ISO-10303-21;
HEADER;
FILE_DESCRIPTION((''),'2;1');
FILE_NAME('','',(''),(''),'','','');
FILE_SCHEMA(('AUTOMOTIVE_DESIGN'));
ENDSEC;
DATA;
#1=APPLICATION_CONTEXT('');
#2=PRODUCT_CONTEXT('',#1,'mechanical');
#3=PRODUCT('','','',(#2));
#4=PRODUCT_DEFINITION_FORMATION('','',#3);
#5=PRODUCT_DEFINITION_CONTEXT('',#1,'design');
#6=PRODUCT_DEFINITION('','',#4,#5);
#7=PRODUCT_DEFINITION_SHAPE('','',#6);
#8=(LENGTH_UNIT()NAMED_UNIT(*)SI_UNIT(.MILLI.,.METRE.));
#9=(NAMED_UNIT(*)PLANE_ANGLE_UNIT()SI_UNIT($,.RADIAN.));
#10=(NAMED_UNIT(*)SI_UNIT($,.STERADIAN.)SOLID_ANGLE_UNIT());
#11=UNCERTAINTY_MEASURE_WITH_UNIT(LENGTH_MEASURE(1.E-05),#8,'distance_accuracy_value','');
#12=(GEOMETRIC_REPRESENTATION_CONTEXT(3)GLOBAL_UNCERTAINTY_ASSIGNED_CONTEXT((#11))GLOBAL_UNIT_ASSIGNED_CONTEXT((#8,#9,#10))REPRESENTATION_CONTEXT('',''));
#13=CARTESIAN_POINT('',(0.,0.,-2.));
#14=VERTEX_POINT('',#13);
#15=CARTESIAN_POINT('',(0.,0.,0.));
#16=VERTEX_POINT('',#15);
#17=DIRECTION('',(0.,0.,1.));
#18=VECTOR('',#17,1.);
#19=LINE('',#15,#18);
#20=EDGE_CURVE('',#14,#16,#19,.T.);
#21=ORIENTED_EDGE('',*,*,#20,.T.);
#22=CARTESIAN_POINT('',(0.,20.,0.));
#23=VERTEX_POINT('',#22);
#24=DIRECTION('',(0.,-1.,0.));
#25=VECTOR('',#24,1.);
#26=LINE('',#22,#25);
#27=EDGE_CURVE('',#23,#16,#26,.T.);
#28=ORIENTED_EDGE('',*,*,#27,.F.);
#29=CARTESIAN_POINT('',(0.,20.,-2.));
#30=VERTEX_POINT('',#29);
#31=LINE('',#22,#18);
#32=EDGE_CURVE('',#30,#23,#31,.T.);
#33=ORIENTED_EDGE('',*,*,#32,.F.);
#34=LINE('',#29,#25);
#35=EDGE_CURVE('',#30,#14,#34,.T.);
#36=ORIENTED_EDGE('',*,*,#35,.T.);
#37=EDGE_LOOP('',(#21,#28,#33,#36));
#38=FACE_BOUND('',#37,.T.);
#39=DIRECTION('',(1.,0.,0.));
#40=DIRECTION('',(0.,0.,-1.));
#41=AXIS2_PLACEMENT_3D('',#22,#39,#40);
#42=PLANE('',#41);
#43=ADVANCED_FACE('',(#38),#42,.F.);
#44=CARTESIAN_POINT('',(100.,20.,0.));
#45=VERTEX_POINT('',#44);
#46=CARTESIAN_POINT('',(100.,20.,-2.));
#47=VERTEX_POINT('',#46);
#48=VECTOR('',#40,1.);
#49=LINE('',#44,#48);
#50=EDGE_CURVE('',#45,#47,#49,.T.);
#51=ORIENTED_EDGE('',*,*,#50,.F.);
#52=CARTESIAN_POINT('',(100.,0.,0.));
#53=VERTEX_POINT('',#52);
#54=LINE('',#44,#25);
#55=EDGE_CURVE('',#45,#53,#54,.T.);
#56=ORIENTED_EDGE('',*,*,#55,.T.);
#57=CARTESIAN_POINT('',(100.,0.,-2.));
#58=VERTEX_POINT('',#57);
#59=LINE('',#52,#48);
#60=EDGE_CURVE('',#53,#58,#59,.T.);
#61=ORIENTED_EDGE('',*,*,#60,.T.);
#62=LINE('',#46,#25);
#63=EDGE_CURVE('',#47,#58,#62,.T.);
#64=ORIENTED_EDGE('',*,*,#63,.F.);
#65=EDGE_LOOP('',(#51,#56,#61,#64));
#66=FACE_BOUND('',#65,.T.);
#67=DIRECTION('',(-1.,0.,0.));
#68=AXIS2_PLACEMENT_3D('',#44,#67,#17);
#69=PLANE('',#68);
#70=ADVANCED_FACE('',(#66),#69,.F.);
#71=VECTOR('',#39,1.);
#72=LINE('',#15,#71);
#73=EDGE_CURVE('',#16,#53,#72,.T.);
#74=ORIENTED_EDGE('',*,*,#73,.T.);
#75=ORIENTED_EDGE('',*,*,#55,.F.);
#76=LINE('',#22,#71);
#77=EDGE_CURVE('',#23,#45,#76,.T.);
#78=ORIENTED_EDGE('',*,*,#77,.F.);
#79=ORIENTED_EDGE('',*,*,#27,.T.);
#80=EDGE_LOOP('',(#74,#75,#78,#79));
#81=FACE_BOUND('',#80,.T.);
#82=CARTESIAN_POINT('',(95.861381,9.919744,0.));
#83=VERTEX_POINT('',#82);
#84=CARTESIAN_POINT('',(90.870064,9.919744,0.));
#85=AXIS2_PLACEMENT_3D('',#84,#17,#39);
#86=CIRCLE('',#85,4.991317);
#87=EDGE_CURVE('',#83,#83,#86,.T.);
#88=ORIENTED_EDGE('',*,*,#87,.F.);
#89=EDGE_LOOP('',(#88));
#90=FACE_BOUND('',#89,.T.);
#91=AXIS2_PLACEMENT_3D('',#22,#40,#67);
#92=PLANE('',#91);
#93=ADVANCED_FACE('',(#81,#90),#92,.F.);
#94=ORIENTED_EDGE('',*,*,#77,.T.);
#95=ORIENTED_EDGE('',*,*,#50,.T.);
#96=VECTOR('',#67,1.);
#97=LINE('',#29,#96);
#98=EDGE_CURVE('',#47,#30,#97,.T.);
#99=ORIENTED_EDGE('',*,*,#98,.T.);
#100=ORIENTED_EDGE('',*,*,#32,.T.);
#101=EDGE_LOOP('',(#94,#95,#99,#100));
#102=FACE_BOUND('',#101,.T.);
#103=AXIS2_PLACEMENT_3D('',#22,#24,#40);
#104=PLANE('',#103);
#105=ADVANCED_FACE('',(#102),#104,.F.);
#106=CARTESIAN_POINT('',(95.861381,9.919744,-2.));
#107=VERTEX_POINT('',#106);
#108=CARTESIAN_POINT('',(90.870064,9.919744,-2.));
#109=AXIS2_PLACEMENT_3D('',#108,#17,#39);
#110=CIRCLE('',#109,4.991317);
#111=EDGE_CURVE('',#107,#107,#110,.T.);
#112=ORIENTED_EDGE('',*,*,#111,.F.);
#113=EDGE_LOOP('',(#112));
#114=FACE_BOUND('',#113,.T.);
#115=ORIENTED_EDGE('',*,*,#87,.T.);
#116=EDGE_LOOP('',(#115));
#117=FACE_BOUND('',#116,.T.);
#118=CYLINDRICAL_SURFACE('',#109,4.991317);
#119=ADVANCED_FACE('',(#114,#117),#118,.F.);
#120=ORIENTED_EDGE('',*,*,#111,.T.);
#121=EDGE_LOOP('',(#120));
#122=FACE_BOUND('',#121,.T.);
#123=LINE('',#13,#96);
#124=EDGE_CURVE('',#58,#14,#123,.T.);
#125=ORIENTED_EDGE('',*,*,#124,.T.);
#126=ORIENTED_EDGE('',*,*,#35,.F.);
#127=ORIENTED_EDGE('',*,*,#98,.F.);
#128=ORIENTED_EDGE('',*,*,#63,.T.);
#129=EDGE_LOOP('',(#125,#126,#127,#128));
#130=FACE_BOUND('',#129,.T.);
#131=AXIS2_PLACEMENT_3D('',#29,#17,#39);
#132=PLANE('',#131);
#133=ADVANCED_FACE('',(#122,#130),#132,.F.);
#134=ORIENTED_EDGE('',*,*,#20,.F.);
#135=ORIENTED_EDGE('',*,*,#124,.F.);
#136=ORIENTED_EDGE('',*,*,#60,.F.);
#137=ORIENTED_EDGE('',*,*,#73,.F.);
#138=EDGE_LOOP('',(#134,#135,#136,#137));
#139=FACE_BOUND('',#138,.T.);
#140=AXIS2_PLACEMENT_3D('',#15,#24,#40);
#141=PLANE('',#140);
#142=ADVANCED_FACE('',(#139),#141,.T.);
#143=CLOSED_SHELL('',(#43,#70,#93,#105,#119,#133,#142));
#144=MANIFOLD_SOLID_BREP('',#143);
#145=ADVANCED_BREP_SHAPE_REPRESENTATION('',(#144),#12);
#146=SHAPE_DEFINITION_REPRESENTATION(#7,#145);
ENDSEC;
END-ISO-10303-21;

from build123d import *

# Parameters (mm, degrees)
SKETCH1_W           = 100
SKETCH1_H           = 2
BOSS_EXTRUDE1_DEPTH = 20
SKETCH3_R           = 4.991317005
CUT_EXTRUDE1_DEPTH  = 103


with BuildPart() as part:
    # Sketch1 → Boss-Extrude1 (new body)
    with BuildSketch(Plane(origin=(0, 0, 0), x_dir=(1, 0, 0), z_dir=(0, 1, 0))):
        with Locations((50, 1)):
            Rectangle(SKETCH1_W, SKETCH1_H)
    extrude(amount=BOSS_EXTRUDE1_DEPTH)

    # Sketch3 → Cut-Extrude1 (cut, through all)
    with BuildSketch(Plane.XY):
        with Locations((90.870063767, 9.919744194)):
            Circle(SKETCH3_R)
    extrude(amount=-CUT_EXTRUDE1_DEPTH, mode=Mode.SUBTRACT)


solid = part.part
